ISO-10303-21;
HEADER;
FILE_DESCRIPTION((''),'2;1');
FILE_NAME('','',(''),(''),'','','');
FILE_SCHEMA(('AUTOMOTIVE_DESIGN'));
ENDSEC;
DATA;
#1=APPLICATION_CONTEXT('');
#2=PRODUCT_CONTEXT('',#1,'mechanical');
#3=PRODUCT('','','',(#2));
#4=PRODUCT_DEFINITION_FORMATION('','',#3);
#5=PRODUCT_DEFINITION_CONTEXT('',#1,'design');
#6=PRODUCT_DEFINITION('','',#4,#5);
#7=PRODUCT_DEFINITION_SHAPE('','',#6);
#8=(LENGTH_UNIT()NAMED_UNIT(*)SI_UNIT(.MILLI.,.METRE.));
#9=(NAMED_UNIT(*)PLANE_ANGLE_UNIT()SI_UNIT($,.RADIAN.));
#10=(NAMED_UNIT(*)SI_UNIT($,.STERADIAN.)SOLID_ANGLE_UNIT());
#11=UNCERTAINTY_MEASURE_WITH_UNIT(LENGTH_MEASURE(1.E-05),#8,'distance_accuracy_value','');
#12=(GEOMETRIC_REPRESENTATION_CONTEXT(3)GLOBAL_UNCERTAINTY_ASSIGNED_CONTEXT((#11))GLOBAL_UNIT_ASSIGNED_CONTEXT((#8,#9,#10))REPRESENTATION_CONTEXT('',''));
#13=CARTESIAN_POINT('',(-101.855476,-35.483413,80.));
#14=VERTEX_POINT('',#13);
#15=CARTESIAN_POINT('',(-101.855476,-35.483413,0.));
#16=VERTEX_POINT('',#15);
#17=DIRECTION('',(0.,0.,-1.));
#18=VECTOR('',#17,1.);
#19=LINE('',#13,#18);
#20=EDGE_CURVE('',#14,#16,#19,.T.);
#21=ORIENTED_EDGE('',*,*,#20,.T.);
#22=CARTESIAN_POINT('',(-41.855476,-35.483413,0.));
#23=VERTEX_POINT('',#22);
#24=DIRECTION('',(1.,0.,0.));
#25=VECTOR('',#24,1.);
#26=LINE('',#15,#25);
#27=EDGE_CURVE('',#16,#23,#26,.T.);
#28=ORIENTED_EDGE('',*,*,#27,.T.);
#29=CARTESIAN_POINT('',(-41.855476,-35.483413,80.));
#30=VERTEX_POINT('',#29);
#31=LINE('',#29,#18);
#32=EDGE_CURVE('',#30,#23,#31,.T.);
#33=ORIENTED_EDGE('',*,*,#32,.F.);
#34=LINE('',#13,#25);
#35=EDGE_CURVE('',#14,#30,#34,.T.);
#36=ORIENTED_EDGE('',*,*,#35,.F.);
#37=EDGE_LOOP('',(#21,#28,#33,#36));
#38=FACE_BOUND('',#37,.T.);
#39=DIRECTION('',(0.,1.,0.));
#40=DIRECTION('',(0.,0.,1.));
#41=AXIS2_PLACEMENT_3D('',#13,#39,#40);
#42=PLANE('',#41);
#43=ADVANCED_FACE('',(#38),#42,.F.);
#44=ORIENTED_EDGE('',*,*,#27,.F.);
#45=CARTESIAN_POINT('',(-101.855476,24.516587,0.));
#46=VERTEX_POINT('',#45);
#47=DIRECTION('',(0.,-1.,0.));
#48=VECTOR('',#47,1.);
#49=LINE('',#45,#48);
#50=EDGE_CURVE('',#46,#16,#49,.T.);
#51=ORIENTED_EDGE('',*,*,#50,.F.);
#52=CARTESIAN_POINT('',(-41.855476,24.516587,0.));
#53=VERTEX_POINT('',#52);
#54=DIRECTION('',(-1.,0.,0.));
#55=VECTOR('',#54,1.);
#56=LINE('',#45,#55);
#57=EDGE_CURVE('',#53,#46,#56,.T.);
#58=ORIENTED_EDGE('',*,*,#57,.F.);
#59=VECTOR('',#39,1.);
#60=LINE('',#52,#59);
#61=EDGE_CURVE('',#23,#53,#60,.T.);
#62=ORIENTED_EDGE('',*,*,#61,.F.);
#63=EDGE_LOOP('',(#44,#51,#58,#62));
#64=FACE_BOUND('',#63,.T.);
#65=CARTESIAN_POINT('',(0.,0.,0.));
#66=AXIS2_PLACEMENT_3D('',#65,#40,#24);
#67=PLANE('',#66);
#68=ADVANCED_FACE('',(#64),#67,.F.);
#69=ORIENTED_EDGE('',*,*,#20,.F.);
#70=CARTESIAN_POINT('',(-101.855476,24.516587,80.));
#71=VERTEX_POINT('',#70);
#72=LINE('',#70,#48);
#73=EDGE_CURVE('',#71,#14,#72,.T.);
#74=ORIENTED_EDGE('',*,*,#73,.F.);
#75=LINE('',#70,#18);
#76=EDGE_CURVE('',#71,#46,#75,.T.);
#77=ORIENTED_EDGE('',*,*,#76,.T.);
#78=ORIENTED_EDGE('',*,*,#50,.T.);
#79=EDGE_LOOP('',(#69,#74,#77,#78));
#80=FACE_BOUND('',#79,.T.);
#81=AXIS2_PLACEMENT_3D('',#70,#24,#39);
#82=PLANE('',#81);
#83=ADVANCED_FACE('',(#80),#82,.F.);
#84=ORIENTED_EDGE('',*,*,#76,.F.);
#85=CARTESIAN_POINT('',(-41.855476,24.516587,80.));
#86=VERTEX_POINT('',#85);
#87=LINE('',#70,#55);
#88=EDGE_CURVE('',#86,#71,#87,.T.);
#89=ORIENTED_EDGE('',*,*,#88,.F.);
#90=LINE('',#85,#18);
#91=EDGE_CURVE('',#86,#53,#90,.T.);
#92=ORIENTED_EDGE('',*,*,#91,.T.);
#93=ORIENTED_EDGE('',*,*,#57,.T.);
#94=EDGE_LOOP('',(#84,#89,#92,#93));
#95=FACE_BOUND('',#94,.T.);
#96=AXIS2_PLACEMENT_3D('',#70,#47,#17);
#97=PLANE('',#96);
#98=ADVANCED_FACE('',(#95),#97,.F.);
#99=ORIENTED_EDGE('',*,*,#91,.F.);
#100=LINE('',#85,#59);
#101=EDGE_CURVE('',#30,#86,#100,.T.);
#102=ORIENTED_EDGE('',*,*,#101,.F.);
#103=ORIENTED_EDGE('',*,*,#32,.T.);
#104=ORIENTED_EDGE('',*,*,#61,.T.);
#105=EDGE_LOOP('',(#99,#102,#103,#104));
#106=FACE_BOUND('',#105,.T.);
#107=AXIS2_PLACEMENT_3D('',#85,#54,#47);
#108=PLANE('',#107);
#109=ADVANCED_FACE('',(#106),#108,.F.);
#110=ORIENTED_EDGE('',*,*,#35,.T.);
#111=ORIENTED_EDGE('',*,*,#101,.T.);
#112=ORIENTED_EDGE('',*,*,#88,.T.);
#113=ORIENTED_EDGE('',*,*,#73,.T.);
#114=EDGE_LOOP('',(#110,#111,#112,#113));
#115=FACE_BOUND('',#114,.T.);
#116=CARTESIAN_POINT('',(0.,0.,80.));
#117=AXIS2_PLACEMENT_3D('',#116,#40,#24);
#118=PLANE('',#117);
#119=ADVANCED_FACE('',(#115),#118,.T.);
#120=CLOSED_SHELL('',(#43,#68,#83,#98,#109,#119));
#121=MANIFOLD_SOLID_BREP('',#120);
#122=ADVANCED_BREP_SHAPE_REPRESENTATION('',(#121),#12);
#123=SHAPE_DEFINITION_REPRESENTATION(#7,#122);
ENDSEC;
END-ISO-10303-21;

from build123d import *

# Parameters (mm, degrees)
ESQUISSE1_W        = 60
ESQUISSE1_H        = 60
BOSS_EXTRU_1_DEPTH = 80


with BuildPart() as part:
    # Esquisse1 → Boss.-Extru.1 (new body)
    with BuildSketch(Plane.XY):
        with Locations((-71.855476328, -5.483412604)):
            Rectangle(ESQUISSE1_W, ESQUISSE1_H)
    extrude(amount=BOSS_EXTRU_1_DEPTH)


solid = part.part
